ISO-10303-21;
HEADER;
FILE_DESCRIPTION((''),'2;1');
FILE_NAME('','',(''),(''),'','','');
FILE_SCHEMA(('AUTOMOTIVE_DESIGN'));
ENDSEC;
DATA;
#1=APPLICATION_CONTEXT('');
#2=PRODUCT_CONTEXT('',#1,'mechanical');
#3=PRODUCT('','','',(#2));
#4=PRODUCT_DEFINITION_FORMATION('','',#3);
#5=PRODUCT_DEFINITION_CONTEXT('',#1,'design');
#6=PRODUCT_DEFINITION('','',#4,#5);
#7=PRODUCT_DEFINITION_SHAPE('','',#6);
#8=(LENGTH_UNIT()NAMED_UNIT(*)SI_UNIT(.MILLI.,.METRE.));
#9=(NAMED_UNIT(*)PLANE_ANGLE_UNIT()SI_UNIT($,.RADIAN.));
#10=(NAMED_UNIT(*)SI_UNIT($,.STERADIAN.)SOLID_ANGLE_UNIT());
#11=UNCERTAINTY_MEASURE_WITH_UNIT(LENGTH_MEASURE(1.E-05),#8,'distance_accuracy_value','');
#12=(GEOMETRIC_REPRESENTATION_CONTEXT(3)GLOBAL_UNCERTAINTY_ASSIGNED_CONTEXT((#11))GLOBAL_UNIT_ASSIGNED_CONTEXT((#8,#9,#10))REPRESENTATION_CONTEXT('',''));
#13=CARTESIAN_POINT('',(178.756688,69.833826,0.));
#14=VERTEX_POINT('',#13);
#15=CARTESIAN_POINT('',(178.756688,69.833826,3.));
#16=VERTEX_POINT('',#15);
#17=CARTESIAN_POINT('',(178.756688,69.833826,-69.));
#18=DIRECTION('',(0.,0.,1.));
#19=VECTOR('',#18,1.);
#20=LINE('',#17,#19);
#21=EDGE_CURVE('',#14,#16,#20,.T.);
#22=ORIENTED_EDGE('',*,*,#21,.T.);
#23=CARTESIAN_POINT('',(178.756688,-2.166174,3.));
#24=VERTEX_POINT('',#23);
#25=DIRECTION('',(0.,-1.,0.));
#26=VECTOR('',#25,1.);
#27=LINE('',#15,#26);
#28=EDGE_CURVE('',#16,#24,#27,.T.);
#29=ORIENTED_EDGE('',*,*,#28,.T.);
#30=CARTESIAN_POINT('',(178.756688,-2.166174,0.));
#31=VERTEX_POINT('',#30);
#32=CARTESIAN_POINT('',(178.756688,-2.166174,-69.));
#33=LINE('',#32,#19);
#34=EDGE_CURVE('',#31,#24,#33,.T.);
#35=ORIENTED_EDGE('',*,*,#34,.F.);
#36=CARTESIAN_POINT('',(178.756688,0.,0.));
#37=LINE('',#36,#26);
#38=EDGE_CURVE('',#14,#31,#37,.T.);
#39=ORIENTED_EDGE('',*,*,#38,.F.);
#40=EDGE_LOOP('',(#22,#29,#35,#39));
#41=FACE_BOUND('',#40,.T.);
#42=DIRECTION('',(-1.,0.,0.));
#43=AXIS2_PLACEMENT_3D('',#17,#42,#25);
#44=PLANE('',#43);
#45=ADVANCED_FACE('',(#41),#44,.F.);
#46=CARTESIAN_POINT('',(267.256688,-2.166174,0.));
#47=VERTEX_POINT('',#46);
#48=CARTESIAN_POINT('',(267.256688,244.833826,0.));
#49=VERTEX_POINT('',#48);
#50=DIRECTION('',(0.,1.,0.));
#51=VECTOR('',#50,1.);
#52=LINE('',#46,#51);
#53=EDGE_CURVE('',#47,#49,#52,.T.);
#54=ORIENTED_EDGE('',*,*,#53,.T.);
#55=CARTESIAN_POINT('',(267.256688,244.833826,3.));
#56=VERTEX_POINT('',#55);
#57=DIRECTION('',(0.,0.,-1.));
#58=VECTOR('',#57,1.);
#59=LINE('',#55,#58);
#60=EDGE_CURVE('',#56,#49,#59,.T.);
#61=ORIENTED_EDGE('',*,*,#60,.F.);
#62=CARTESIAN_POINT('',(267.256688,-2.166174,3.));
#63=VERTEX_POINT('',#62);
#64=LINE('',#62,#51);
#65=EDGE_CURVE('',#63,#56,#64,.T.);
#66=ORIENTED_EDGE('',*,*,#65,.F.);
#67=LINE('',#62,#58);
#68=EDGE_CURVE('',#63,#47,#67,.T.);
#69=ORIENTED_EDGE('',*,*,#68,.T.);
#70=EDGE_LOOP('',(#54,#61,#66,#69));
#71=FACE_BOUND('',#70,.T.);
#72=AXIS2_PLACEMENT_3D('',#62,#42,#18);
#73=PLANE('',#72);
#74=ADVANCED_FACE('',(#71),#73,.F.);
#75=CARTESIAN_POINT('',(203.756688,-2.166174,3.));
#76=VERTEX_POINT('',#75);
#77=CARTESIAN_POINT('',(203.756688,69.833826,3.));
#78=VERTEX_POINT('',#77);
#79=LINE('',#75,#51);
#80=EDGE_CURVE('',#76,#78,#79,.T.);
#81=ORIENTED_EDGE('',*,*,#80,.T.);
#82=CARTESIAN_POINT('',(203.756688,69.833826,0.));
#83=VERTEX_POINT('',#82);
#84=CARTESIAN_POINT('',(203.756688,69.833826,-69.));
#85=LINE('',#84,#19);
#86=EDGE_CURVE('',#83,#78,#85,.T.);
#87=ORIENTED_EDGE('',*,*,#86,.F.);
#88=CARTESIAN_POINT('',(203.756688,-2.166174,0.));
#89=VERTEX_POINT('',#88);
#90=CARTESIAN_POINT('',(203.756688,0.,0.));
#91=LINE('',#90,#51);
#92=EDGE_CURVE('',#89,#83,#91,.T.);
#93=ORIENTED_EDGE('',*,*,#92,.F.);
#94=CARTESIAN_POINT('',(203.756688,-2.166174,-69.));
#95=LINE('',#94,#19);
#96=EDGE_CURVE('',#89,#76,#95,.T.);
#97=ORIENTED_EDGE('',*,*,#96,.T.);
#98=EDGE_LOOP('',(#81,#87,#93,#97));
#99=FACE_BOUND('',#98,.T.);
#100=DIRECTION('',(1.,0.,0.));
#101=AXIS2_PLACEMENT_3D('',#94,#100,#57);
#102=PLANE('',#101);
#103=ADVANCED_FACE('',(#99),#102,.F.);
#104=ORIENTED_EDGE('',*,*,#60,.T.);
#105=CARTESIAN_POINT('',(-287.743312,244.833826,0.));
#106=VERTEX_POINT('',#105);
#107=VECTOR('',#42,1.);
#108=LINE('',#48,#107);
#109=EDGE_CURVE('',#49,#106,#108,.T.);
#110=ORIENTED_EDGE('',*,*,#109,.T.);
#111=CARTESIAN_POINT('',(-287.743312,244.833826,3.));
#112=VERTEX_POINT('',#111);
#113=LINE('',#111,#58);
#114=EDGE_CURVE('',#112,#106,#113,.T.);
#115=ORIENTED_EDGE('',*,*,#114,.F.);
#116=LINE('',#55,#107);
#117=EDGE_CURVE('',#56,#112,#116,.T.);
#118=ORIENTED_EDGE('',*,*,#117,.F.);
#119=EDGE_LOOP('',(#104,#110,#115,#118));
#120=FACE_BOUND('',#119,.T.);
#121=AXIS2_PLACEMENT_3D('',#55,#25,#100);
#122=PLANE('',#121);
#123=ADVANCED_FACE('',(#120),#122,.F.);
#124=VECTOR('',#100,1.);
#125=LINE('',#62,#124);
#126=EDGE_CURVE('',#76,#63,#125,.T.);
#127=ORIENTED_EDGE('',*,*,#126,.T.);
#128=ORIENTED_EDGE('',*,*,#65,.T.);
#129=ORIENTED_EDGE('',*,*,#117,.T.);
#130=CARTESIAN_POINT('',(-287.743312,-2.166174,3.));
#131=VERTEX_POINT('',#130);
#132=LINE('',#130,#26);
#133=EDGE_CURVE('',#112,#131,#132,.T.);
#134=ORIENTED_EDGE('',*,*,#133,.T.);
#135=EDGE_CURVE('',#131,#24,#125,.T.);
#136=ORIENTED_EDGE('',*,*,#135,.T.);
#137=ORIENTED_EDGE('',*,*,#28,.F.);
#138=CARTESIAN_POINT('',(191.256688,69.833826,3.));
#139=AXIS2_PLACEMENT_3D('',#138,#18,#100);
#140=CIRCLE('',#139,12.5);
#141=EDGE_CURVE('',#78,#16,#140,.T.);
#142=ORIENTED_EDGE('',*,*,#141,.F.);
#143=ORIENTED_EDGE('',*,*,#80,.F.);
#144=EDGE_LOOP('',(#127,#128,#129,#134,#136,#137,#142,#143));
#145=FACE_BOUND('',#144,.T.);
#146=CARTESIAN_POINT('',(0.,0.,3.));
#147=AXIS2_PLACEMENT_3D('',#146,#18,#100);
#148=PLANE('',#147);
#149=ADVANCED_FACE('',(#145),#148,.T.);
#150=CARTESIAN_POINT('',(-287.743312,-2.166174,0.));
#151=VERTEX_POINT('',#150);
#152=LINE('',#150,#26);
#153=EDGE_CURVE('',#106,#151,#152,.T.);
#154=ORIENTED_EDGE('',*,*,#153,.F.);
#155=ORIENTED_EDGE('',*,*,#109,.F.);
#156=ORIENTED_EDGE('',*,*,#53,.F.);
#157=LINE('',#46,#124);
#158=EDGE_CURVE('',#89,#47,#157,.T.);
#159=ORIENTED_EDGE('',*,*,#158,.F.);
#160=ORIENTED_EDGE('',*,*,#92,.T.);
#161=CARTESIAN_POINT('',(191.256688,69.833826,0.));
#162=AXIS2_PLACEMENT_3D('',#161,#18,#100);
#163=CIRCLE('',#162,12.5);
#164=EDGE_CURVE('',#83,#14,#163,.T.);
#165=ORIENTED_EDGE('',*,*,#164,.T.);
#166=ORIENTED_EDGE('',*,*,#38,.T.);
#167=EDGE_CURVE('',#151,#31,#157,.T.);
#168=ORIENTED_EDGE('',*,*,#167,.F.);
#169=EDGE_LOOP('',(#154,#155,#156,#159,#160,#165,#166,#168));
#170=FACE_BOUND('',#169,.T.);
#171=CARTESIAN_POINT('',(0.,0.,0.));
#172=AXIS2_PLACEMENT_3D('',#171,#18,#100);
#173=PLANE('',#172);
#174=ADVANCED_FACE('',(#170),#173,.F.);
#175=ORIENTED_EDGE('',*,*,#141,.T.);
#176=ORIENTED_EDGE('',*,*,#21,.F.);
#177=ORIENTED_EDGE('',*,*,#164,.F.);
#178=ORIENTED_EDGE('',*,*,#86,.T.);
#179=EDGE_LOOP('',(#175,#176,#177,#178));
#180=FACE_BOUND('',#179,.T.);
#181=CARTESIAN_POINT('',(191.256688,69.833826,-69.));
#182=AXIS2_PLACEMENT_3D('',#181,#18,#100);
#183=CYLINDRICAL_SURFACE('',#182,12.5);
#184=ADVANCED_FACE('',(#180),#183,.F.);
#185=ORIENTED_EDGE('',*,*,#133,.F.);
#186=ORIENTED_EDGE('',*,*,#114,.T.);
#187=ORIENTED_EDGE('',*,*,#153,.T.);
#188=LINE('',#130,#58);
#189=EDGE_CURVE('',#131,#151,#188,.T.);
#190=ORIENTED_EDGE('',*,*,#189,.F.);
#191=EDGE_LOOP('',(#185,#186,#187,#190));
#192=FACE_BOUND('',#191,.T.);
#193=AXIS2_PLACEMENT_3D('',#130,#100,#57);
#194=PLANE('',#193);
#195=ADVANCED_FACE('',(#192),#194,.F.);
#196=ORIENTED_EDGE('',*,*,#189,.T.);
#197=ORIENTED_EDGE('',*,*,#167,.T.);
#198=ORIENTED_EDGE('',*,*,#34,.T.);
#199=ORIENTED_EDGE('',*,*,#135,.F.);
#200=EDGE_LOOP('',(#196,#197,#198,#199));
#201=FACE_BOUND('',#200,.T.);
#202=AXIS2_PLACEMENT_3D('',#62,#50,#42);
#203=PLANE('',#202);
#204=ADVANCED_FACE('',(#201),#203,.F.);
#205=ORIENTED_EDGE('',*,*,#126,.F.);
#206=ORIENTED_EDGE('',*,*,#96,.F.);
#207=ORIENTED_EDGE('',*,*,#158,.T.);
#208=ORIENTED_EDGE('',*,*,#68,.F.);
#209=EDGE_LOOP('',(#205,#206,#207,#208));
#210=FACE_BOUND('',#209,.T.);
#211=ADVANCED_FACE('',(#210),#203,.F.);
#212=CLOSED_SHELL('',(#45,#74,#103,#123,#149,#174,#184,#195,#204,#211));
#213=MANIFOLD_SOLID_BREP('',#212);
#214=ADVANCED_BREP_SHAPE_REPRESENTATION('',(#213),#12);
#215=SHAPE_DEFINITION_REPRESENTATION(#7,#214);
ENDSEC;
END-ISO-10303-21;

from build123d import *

# Parameters (mm, degrees)
ESQUISSE1_W             = 555
ESQUISSE1_H             = 247
BOSS_EXTRU_1_DEPTH      = 3
ENL_V_MAT_EXTRU_2_DEPTH = 72


with BuildPart() as part:
    # Esquisse1 → Boss.-Extru.1 (new body)
    with BuildSketch(Plane.XY):
        with Locations((-10.243311569, 121.33382636)):
            Rectangle(ESQUISSE1_W, ESQUISSE1_H)
    extrude(amount=BOSS_EXTRU_1_DEPTH)

    # Esquisse3 → Enlèv. mat.-Extru.2 (cut)
    with BuildSketch(Plane.XY.offset(3)):
        with BuildLine():
            Line((178.756688431, 69.83382636), (178.756688431, -2.16617364))
            Line((178.756688431, -2.16617364), (203.756688431, -2.16617364))
            Line((203.756688431, -2.16617364), (203.756688431, 69.83382636))
            ThreePointArc((203.756688431, 69.83382636), (191.256688431, 82.33382636), (178.756688431, 69.83382636))
        make_face()
    extrude(amount=-ENL_V_MAT_EXTRU_2_DEPTH, mode=Mode.SUBTRACT)


solid = part.part
